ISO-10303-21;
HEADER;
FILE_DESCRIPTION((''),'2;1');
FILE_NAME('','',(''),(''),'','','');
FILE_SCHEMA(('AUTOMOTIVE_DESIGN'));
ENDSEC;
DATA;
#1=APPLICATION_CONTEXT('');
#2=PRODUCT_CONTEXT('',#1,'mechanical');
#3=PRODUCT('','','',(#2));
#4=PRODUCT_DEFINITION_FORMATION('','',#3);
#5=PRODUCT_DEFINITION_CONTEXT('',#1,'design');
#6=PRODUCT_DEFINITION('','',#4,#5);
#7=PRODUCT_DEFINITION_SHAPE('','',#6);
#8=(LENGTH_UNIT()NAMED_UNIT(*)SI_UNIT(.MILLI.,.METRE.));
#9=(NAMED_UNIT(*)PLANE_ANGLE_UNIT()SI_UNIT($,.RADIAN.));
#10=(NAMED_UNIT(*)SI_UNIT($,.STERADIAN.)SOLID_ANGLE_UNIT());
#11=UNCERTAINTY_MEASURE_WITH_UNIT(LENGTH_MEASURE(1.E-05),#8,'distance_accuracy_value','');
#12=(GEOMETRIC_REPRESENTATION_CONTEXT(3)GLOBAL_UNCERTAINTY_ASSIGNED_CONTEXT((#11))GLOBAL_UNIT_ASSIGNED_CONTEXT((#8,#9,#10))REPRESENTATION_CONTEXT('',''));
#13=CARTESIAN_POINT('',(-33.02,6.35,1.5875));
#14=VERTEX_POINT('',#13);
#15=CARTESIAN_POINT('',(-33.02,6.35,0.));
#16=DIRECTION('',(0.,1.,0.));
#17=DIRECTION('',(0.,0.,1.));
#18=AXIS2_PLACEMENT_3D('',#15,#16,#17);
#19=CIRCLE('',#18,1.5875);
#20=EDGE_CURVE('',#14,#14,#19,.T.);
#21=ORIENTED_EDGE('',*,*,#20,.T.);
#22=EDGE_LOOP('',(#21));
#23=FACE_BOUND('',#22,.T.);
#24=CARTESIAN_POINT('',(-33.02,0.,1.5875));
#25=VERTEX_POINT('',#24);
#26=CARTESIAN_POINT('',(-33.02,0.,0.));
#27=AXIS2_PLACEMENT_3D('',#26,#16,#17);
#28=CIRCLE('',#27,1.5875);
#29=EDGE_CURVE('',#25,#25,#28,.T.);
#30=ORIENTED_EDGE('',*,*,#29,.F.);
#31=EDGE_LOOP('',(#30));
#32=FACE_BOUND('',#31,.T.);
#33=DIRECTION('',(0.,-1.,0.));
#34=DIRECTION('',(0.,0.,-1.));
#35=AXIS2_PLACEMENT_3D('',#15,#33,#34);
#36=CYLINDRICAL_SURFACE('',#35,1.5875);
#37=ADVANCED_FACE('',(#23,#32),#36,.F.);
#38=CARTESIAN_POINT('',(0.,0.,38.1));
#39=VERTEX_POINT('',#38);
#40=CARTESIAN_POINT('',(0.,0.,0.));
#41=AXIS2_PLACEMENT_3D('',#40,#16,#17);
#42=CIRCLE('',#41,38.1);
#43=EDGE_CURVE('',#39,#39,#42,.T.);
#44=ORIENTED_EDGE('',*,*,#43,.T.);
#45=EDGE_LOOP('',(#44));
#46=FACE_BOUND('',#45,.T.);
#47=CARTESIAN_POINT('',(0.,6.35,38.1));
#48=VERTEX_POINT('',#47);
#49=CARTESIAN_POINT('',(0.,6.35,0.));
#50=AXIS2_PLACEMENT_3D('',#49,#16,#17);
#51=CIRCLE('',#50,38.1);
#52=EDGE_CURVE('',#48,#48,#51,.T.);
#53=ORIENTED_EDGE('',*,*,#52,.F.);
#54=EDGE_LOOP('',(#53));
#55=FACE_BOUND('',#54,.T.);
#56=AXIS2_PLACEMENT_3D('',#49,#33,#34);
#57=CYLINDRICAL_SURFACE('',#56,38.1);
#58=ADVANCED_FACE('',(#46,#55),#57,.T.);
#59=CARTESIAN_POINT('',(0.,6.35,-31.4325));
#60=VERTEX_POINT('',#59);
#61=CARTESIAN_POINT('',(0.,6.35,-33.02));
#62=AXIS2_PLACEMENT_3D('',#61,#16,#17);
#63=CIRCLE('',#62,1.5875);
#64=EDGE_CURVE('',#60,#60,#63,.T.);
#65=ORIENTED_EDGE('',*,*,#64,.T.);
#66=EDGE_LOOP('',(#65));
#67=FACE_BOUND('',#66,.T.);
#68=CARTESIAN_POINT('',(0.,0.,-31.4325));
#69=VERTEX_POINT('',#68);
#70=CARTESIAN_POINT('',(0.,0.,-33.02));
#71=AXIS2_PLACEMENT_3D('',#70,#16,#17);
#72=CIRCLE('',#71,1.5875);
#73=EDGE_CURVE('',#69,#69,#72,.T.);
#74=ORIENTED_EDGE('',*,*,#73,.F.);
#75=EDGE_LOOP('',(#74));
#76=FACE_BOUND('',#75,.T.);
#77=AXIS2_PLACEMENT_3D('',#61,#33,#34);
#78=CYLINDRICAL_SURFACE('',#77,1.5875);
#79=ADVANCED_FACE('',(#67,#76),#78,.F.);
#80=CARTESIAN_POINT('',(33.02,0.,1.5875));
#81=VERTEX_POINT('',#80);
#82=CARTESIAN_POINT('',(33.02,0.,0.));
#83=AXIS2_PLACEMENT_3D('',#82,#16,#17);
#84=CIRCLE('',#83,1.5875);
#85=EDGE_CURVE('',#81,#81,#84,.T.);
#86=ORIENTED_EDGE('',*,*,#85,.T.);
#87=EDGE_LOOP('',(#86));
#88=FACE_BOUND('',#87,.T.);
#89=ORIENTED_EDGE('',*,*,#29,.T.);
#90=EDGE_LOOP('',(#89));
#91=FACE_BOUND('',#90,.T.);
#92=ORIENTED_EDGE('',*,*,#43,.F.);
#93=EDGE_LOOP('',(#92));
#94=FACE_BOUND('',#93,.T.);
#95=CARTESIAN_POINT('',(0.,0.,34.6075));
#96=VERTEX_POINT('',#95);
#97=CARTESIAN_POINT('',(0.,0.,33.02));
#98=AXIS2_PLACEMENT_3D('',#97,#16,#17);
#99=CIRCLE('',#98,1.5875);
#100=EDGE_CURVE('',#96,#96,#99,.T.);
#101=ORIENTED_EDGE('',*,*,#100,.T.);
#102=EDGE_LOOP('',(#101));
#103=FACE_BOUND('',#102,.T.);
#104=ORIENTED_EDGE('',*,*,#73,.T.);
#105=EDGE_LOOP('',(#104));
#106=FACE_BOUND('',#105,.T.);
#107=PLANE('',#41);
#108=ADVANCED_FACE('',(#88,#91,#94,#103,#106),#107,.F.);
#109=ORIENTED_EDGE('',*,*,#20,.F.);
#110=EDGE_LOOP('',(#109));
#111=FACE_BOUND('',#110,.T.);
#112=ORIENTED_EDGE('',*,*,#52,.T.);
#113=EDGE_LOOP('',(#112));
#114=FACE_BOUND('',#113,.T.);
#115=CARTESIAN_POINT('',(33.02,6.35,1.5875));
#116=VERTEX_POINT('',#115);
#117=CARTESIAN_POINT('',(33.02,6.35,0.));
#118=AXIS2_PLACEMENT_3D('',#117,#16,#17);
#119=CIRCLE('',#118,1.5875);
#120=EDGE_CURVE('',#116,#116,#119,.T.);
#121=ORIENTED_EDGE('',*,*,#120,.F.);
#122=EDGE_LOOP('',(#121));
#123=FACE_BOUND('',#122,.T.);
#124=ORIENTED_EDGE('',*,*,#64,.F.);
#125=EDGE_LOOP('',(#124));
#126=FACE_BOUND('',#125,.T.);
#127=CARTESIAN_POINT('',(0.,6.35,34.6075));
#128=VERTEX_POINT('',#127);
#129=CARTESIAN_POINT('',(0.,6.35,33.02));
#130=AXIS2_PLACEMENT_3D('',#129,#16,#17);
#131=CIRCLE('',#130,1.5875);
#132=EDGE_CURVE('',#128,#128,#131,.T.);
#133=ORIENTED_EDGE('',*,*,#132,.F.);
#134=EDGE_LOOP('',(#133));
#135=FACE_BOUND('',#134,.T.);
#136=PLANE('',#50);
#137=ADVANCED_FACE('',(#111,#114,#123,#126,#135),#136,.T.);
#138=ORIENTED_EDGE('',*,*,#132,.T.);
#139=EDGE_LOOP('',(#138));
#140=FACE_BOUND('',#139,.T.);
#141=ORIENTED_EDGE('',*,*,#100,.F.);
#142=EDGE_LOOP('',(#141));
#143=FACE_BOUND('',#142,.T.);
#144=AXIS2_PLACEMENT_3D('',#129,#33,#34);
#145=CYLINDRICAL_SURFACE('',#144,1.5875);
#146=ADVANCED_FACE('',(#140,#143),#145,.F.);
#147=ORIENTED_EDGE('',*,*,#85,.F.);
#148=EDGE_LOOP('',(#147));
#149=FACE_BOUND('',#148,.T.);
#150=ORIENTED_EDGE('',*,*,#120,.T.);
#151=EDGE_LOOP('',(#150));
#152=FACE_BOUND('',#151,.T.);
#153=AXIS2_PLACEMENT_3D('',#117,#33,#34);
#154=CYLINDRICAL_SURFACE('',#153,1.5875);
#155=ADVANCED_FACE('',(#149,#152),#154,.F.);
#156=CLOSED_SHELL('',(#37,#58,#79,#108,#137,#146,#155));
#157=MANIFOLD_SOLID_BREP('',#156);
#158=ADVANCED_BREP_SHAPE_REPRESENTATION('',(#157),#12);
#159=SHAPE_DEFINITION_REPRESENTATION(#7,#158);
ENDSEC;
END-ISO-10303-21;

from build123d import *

# Parameters (mm, degrees)
SKETCH1_R           = 38.1
SKETCH1_R_2         = 1.5875
BOSS_EXTRUDE1_DEPTH = 6.35


with BuildPart() as part:
    # Sketch1 → Boss-Extrude1 (new body)
    with BuildSketch(Plane(origin=(0, 0, 0), x_dir=(1, 0, 0), z_dir=(0, 1, 0))):
        with Locations(Location((0, 0, 0), (0, 0, 270))):
            Circle(SKETCH1_R)
        with Locations(Location((0, 33.02, 0), (0, 0, 270))):
            Circle(SKETCH1_R_2, mode=Mode.SUBTRACT)
        with Locations(Location((33.02, 0, 0), (0, 0, 270))):
            Circle(SKETCH1_R_2, mode=Mode.SUBTRACT)
        with Locations(Location((0, -33.02, 0), (0, 0, 270))):
            Circle(SKETCH1_R_2, mode=Mode.SUBTRACT)
        with Locations(Location((-33.02, 0, 0), (0, 0, 270))):
            Circle(SKETCH1_R_2, mode=Mode.SUBTRACT)
    extrude(amount=BOSS_EXTRUDE1_DEPTH)


solid = part.part
